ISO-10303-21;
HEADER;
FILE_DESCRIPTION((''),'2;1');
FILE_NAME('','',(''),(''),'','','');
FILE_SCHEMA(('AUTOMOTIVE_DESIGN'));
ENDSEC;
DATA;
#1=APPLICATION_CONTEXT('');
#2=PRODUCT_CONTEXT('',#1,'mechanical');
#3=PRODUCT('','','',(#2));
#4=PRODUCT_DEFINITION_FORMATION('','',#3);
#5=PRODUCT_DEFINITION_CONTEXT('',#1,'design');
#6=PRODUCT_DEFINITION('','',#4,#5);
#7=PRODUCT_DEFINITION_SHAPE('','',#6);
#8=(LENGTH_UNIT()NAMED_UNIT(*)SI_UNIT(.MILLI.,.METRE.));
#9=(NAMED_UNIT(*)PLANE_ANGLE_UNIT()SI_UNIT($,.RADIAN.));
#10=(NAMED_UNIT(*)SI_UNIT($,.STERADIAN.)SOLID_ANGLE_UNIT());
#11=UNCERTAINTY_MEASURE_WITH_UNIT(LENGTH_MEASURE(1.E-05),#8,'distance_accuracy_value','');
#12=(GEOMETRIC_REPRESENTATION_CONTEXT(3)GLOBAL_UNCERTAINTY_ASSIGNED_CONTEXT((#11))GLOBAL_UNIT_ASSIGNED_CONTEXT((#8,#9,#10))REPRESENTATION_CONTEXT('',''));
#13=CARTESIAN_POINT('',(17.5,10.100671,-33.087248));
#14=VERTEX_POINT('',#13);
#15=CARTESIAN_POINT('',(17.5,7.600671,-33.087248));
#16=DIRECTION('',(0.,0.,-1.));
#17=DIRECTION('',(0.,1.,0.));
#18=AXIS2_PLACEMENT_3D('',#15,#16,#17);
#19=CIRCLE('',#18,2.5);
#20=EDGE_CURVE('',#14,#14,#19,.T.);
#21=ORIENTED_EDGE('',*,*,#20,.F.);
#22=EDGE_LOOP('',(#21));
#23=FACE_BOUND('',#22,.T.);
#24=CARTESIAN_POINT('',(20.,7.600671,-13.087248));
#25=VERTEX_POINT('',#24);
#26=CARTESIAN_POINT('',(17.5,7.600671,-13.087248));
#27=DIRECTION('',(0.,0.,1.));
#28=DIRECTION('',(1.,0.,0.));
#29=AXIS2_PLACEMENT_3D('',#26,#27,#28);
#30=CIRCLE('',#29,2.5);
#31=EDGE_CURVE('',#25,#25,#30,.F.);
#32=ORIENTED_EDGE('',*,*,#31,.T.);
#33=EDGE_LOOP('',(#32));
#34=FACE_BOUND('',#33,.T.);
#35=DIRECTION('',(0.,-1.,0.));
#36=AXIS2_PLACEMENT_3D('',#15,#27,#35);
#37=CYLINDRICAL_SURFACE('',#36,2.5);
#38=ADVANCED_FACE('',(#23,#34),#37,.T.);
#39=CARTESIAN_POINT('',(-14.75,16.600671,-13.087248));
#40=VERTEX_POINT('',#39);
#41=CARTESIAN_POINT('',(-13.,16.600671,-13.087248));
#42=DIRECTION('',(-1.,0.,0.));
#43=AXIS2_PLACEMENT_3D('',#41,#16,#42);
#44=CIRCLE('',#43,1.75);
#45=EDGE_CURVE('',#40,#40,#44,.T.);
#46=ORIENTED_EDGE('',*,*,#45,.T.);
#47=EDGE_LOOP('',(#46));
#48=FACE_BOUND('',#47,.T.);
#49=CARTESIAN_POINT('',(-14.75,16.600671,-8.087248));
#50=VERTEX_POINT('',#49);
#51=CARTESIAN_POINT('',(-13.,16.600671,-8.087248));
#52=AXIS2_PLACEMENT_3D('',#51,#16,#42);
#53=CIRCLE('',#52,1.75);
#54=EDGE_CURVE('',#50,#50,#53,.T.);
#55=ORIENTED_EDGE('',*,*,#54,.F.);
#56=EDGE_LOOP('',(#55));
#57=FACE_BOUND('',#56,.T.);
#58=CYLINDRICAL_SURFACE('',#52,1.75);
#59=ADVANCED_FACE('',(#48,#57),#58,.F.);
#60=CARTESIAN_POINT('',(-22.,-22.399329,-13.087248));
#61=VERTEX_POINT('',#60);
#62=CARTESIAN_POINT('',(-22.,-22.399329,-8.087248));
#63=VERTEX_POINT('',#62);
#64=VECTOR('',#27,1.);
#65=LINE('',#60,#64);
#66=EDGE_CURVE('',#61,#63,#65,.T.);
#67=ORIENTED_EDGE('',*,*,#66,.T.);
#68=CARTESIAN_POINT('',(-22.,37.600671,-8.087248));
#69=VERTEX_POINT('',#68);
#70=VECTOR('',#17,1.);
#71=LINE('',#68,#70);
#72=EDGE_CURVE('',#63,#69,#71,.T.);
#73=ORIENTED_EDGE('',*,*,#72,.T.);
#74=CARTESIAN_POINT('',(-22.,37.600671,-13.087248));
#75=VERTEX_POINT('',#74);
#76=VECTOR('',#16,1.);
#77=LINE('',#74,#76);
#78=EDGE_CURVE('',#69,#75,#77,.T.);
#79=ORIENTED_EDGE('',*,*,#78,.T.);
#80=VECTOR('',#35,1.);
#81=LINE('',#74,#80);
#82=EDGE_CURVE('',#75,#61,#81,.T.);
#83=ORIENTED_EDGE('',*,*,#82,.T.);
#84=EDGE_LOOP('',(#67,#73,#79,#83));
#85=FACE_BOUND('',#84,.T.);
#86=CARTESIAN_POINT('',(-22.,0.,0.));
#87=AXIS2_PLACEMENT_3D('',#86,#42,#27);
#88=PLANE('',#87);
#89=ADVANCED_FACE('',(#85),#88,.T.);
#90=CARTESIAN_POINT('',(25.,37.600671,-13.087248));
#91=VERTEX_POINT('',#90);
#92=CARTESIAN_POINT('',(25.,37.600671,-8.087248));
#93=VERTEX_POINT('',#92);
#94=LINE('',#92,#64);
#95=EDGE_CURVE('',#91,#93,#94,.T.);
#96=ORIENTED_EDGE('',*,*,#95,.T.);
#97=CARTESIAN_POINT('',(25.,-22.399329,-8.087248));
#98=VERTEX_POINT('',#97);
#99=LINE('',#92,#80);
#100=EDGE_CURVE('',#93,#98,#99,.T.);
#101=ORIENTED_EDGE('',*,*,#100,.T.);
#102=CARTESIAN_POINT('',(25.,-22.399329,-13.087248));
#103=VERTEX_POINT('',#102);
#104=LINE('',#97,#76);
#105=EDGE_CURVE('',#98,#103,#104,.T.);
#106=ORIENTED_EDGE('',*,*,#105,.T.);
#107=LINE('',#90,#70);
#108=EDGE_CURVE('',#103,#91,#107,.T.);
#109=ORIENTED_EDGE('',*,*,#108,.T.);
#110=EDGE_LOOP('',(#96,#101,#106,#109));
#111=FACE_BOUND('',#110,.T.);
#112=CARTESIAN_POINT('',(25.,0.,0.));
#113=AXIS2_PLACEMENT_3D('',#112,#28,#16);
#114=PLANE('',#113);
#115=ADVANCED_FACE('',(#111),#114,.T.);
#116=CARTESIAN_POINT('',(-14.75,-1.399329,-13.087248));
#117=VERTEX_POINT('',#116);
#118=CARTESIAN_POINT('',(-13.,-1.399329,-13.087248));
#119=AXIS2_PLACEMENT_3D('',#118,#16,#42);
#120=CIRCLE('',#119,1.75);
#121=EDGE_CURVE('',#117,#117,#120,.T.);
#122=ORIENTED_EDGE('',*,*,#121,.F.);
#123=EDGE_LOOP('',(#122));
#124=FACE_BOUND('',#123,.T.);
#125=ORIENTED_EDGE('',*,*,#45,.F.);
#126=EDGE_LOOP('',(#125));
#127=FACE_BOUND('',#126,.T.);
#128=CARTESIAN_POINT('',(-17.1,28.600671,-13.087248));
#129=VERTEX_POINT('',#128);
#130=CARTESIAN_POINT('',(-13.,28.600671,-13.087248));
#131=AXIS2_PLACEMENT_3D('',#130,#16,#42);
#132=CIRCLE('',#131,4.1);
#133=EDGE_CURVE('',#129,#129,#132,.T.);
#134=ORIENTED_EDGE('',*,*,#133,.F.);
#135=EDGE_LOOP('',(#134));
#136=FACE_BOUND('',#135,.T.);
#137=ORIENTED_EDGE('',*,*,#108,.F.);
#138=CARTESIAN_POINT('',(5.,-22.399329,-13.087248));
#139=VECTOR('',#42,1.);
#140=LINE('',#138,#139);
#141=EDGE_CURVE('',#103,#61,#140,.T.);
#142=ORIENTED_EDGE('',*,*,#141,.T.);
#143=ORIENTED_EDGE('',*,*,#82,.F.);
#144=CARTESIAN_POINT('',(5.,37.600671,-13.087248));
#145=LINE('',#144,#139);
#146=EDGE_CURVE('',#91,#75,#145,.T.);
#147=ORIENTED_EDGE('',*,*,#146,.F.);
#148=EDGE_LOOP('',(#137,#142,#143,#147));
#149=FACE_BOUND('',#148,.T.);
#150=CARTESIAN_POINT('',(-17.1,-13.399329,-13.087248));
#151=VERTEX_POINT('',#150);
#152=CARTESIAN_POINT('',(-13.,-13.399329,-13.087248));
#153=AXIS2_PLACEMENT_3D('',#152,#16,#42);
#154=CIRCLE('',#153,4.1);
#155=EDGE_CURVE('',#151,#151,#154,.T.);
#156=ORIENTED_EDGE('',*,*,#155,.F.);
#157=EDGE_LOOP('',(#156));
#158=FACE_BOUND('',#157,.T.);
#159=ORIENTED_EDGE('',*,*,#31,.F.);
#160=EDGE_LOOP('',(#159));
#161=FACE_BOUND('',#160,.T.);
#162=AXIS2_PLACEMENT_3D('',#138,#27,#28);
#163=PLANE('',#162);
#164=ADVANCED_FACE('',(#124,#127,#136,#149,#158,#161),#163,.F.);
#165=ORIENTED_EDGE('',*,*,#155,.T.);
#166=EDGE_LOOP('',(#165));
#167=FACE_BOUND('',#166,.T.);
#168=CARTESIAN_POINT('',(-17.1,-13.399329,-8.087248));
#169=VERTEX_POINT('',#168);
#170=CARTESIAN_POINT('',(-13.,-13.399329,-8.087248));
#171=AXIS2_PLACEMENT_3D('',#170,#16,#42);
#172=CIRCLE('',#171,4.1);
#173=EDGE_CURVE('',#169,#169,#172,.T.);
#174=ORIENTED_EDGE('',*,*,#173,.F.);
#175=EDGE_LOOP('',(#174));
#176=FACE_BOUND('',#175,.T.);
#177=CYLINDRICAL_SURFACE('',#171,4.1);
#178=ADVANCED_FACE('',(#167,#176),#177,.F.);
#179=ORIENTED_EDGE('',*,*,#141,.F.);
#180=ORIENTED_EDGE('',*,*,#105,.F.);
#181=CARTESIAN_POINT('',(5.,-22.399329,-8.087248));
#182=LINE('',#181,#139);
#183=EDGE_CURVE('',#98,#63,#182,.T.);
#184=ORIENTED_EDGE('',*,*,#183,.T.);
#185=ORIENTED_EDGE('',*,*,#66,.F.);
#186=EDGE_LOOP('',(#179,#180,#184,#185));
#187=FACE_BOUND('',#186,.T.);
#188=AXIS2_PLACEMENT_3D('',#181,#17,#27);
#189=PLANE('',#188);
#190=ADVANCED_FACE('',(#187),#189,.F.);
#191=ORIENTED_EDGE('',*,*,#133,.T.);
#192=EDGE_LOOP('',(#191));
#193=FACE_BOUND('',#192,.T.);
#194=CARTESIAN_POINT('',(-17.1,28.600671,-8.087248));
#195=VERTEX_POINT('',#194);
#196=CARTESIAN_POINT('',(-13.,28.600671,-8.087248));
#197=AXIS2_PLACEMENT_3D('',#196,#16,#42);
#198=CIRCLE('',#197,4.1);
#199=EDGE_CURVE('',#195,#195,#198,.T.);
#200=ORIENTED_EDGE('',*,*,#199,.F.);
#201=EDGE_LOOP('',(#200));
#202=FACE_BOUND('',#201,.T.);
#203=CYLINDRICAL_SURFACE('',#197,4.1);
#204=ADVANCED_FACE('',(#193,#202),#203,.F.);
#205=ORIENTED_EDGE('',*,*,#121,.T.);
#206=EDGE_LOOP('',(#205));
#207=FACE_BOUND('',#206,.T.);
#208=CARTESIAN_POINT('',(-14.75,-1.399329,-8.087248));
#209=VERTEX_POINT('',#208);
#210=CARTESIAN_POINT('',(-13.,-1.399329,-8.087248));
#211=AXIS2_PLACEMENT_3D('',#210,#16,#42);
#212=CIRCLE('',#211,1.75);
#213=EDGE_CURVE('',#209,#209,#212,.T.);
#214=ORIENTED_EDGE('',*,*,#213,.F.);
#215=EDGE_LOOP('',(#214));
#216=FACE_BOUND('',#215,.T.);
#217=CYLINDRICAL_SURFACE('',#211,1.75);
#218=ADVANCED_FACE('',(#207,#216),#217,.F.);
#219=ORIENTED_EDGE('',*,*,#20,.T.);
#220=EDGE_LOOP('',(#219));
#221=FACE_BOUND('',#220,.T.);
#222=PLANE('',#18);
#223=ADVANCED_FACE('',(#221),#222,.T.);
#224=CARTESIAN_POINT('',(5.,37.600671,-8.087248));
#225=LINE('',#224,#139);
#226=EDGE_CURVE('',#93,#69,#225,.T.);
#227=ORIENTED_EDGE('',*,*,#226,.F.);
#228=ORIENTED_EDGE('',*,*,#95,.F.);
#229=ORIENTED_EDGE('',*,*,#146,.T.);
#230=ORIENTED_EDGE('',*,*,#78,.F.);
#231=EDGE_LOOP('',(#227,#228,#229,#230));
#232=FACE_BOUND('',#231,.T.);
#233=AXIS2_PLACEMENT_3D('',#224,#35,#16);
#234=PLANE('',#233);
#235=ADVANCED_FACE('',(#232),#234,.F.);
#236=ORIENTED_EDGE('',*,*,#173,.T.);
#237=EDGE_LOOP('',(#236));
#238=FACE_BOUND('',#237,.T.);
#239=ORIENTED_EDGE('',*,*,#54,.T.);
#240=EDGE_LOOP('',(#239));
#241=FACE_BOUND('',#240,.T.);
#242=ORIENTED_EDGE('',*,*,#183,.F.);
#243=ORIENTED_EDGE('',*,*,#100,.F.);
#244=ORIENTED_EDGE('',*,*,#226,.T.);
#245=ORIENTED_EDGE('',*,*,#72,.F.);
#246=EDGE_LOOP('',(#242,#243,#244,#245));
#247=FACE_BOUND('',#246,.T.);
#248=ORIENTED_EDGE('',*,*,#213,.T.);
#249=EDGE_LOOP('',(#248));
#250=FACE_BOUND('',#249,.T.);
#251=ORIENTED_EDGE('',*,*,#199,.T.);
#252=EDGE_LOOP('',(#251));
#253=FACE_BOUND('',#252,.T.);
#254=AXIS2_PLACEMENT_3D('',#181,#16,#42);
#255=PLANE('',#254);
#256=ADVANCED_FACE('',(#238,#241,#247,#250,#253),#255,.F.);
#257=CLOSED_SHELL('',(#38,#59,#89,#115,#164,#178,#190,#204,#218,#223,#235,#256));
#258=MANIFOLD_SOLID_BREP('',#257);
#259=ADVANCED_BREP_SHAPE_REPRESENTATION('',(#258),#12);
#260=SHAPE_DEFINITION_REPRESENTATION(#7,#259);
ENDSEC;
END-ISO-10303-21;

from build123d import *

# Parameters (mm, degrees)
SKETCH1_W           = 5
SKETCH1_H           = 60
BOSS_EXTRUDE1_DEPTH = 5
SKETCH2_W           = 5
SKETCH2_H           = 60
BOSS_EXTRUDE2_DEPTH = 20
SKETCH3_R           = 2.5
BOSS_EXTRUDE3_DEPTH = 20
SKETCH4_W           = 5
SKETCH4_H           = 60
BOSS_EXTRUDE4_DEPTH = 22
SKETCH5_R           = 4.1
SKETCH5_R_2         = 1.75
CUT_EXTRUDE1_DEPTH  = 6


with BuildPart() as part:
    # Sketch1 → Boss-Extrude1 (new body)
    with BuildSketch(Plane(origin=(0, 0, 0), x_dir=(0, 0, -1), z_dir=(1, 0, 0))):
        with Locations((10.587248322, 7.600671141)):
            Rectangle(SKETCH1_W, SKETCH1_H)
    extrude(amount=BOSS_EXTRUDE1_DEPTH)

    # Sketch2 → Boss-Extrude2 (add)
    with BuildSketch(Plane(origin=(5, 0, 0), x_dir=(0, 0, -1), z_dir=(1, 0, 0))):
        with Locations((10.587248322, 7.600671141)):
            Rectangle(SKETCH2_W, SKETCH2_H)
    extrude(amount=BOSS_EXTRUDE2_DEPTH)

    # Sketch3 → Boss-Extrude3 (add)
    with BuildSketch(Plane(origin=(0, 0, -13.087248322), x_dir=(-1, 0, 0), z_dir=(0, 0, -1))):
        with Locations((-17.5, 7.600671141)):
            Circle(SKETCH3_R)
    extrude(amount=BOSS_EXTRUDE3_DEPTH)

    # Sketch4 → Boss-Extrude4 (add)
    with BuildSketch(Plane.ZY):
        with Locations((-10.587248322, 7.600671141)):
            Rectangle(SKETCH4_W, SKETCH4_H)
    extrude(amount=BOSS_EXTRUDE4_DEPTH)

    # Sketch5 → Cut-Extrude1 (cut, through all)
    with BuildSketch(Plane(origin=(0, 0, -13.087248322), x_dir=(-1, 0, 0), z_dir=(0, 0, -1))):
        with Locations((13, 28.600671141)):
            Circle(SKETCH5_R)
        with Locations((13, -13.399328859)):
            Circle(SKETCH5_R)
        with Locations((13, -1.399328859)):
            Circle(SKETCH5_R_2)
        with Locations((13, 16.600671141)):
            Circle(SKETCH5_R_2)
    extrude(amount=-CUT_EXTRUDE1_DEPTH, mode=Mode.SUBTRACT)


solid = part.part
